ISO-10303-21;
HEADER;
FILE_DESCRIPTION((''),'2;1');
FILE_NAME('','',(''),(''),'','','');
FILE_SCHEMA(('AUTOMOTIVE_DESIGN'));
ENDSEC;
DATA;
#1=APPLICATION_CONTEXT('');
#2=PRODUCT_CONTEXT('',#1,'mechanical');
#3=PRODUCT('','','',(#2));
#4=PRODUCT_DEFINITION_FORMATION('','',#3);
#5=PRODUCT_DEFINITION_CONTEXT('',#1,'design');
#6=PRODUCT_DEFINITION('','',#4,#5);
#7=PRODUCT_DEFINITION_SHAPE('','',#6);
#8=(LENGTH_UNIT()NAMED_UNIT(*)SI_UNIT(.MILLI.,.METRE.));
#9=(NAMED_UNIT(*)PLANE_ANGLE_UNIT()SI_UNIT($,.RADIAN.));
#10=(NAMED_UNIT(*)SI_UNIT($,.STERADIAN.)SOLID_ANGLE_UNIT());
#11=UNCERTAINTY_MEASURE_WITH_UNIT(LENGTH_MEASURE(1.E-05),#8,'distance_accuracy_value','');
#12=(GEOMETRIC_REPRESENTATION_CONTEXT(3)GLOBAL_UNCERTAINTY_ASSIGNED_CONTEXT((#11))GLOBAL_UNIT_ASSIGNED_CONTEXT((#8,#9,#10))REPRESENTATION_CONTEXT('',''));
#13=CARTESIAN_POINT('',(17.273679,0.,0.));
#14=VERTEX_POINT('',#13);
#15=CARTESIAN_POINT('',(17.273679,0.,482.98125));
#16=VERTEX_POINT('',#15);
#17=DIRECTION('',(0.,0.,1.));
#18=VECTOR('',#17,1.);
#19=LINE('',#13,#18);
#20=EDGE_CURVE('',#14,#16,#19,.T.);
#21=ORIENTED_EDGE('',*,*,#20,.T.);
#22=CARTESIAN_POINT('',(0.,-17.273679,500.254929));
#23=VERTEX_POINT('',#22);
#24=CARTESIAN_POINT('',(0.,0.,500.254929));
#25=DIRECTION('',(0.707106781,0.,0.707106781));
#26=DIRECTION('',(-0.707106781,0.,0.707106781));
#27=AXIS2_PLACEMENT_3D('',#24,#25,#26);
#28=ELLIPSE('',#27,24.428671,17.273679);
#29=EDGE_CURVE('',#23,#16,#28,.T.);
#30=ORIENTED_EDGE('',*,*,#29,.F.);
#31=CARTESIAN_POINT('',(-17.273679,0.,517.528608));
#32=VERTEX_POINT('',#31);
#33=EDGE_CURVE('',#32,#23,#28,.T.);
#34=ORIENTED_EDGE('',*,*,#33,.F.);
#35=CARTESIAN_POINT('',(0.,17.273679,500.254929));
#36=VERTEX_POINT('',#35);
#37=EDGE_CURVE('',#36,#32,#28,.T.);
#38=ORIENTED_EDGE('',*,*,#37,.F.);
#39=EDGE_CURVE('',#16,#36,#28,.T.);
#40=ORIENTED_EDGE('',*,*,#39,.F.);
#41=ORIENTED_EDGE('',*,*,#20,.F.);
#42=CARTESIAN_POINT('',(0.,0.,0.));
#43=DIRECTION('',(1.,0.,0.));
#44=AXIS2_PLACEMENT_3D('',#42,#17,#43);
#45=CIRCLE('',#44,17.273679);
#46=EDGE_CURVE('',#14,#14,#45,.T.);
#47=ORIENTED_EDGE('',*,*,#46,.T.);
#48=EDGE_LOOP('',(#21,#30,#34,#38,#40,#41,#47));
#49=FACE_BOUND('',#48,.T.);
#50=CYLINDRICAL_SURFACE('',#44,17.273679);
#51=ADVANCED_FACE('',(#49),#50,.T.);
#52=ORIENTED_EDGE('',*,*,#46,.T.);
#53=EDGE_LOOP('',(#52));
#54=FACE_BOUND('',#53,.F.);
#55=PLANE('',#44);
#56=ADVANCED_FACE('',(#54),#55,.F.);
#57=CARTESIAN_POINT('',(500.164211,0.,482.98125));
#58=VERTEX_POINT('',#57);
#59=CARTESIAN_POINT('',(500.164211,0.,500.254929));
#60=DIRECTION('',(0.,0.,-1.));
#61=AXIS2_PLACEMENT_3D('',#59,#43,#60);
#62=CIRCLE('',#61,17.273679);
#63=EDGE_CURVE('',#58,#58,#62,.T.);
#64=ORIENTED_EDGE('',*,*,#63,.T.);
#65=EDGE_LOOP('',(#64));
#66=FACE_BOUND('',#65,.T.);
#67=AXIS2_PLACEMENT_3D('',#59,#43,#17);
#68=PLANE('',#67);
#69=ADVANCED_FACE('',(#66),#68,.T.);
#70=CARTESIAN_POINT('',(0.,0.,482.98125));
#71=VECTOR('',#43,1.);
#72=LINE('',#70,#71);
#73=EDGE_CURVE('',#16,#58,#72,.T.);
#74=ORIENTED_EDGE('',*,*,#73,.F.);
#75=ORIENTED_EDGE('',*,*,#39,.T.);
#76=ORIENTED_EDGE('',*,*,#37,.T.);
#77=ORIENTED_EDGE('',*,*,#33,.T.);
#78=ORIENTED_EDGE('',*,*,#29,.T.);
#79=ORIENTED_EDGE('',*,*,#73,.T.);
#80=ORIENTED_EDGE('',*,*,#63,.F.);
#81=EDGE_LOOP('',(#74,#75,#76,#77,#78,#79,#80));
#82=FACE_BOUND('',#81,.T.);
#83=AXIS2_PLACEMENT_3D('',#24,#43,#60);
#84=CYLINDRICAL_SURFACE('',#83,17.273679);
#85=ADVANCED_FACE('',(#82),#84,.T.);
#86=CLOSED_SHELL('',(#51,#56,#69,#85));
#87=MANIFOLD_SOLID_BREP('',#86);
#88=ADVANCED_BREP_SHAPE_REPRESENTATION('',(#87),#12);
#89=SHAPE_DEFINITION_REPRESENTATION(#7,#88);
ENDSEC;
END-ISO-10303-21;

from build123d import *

# Parameters (mm, degrees)
F0_R = 17.2736790235


with BuildPart() as f2:
    # F2: sweep along a path in F1
    with BuildLine(Plane.XZ) as f2_path:
        Line((0, 0), (0, 500.2549290657))
        Line((0, 500.2549290657), (500.1642107964, 500.2549290657))
    # F0 (on Top) → F2 (sweep)
    with BuildSketch(Plane.XY):
        Circle(F0_R)
    sweep(path=f2_path.line, transition=Transition.RIGHT)


solid = f2.part
